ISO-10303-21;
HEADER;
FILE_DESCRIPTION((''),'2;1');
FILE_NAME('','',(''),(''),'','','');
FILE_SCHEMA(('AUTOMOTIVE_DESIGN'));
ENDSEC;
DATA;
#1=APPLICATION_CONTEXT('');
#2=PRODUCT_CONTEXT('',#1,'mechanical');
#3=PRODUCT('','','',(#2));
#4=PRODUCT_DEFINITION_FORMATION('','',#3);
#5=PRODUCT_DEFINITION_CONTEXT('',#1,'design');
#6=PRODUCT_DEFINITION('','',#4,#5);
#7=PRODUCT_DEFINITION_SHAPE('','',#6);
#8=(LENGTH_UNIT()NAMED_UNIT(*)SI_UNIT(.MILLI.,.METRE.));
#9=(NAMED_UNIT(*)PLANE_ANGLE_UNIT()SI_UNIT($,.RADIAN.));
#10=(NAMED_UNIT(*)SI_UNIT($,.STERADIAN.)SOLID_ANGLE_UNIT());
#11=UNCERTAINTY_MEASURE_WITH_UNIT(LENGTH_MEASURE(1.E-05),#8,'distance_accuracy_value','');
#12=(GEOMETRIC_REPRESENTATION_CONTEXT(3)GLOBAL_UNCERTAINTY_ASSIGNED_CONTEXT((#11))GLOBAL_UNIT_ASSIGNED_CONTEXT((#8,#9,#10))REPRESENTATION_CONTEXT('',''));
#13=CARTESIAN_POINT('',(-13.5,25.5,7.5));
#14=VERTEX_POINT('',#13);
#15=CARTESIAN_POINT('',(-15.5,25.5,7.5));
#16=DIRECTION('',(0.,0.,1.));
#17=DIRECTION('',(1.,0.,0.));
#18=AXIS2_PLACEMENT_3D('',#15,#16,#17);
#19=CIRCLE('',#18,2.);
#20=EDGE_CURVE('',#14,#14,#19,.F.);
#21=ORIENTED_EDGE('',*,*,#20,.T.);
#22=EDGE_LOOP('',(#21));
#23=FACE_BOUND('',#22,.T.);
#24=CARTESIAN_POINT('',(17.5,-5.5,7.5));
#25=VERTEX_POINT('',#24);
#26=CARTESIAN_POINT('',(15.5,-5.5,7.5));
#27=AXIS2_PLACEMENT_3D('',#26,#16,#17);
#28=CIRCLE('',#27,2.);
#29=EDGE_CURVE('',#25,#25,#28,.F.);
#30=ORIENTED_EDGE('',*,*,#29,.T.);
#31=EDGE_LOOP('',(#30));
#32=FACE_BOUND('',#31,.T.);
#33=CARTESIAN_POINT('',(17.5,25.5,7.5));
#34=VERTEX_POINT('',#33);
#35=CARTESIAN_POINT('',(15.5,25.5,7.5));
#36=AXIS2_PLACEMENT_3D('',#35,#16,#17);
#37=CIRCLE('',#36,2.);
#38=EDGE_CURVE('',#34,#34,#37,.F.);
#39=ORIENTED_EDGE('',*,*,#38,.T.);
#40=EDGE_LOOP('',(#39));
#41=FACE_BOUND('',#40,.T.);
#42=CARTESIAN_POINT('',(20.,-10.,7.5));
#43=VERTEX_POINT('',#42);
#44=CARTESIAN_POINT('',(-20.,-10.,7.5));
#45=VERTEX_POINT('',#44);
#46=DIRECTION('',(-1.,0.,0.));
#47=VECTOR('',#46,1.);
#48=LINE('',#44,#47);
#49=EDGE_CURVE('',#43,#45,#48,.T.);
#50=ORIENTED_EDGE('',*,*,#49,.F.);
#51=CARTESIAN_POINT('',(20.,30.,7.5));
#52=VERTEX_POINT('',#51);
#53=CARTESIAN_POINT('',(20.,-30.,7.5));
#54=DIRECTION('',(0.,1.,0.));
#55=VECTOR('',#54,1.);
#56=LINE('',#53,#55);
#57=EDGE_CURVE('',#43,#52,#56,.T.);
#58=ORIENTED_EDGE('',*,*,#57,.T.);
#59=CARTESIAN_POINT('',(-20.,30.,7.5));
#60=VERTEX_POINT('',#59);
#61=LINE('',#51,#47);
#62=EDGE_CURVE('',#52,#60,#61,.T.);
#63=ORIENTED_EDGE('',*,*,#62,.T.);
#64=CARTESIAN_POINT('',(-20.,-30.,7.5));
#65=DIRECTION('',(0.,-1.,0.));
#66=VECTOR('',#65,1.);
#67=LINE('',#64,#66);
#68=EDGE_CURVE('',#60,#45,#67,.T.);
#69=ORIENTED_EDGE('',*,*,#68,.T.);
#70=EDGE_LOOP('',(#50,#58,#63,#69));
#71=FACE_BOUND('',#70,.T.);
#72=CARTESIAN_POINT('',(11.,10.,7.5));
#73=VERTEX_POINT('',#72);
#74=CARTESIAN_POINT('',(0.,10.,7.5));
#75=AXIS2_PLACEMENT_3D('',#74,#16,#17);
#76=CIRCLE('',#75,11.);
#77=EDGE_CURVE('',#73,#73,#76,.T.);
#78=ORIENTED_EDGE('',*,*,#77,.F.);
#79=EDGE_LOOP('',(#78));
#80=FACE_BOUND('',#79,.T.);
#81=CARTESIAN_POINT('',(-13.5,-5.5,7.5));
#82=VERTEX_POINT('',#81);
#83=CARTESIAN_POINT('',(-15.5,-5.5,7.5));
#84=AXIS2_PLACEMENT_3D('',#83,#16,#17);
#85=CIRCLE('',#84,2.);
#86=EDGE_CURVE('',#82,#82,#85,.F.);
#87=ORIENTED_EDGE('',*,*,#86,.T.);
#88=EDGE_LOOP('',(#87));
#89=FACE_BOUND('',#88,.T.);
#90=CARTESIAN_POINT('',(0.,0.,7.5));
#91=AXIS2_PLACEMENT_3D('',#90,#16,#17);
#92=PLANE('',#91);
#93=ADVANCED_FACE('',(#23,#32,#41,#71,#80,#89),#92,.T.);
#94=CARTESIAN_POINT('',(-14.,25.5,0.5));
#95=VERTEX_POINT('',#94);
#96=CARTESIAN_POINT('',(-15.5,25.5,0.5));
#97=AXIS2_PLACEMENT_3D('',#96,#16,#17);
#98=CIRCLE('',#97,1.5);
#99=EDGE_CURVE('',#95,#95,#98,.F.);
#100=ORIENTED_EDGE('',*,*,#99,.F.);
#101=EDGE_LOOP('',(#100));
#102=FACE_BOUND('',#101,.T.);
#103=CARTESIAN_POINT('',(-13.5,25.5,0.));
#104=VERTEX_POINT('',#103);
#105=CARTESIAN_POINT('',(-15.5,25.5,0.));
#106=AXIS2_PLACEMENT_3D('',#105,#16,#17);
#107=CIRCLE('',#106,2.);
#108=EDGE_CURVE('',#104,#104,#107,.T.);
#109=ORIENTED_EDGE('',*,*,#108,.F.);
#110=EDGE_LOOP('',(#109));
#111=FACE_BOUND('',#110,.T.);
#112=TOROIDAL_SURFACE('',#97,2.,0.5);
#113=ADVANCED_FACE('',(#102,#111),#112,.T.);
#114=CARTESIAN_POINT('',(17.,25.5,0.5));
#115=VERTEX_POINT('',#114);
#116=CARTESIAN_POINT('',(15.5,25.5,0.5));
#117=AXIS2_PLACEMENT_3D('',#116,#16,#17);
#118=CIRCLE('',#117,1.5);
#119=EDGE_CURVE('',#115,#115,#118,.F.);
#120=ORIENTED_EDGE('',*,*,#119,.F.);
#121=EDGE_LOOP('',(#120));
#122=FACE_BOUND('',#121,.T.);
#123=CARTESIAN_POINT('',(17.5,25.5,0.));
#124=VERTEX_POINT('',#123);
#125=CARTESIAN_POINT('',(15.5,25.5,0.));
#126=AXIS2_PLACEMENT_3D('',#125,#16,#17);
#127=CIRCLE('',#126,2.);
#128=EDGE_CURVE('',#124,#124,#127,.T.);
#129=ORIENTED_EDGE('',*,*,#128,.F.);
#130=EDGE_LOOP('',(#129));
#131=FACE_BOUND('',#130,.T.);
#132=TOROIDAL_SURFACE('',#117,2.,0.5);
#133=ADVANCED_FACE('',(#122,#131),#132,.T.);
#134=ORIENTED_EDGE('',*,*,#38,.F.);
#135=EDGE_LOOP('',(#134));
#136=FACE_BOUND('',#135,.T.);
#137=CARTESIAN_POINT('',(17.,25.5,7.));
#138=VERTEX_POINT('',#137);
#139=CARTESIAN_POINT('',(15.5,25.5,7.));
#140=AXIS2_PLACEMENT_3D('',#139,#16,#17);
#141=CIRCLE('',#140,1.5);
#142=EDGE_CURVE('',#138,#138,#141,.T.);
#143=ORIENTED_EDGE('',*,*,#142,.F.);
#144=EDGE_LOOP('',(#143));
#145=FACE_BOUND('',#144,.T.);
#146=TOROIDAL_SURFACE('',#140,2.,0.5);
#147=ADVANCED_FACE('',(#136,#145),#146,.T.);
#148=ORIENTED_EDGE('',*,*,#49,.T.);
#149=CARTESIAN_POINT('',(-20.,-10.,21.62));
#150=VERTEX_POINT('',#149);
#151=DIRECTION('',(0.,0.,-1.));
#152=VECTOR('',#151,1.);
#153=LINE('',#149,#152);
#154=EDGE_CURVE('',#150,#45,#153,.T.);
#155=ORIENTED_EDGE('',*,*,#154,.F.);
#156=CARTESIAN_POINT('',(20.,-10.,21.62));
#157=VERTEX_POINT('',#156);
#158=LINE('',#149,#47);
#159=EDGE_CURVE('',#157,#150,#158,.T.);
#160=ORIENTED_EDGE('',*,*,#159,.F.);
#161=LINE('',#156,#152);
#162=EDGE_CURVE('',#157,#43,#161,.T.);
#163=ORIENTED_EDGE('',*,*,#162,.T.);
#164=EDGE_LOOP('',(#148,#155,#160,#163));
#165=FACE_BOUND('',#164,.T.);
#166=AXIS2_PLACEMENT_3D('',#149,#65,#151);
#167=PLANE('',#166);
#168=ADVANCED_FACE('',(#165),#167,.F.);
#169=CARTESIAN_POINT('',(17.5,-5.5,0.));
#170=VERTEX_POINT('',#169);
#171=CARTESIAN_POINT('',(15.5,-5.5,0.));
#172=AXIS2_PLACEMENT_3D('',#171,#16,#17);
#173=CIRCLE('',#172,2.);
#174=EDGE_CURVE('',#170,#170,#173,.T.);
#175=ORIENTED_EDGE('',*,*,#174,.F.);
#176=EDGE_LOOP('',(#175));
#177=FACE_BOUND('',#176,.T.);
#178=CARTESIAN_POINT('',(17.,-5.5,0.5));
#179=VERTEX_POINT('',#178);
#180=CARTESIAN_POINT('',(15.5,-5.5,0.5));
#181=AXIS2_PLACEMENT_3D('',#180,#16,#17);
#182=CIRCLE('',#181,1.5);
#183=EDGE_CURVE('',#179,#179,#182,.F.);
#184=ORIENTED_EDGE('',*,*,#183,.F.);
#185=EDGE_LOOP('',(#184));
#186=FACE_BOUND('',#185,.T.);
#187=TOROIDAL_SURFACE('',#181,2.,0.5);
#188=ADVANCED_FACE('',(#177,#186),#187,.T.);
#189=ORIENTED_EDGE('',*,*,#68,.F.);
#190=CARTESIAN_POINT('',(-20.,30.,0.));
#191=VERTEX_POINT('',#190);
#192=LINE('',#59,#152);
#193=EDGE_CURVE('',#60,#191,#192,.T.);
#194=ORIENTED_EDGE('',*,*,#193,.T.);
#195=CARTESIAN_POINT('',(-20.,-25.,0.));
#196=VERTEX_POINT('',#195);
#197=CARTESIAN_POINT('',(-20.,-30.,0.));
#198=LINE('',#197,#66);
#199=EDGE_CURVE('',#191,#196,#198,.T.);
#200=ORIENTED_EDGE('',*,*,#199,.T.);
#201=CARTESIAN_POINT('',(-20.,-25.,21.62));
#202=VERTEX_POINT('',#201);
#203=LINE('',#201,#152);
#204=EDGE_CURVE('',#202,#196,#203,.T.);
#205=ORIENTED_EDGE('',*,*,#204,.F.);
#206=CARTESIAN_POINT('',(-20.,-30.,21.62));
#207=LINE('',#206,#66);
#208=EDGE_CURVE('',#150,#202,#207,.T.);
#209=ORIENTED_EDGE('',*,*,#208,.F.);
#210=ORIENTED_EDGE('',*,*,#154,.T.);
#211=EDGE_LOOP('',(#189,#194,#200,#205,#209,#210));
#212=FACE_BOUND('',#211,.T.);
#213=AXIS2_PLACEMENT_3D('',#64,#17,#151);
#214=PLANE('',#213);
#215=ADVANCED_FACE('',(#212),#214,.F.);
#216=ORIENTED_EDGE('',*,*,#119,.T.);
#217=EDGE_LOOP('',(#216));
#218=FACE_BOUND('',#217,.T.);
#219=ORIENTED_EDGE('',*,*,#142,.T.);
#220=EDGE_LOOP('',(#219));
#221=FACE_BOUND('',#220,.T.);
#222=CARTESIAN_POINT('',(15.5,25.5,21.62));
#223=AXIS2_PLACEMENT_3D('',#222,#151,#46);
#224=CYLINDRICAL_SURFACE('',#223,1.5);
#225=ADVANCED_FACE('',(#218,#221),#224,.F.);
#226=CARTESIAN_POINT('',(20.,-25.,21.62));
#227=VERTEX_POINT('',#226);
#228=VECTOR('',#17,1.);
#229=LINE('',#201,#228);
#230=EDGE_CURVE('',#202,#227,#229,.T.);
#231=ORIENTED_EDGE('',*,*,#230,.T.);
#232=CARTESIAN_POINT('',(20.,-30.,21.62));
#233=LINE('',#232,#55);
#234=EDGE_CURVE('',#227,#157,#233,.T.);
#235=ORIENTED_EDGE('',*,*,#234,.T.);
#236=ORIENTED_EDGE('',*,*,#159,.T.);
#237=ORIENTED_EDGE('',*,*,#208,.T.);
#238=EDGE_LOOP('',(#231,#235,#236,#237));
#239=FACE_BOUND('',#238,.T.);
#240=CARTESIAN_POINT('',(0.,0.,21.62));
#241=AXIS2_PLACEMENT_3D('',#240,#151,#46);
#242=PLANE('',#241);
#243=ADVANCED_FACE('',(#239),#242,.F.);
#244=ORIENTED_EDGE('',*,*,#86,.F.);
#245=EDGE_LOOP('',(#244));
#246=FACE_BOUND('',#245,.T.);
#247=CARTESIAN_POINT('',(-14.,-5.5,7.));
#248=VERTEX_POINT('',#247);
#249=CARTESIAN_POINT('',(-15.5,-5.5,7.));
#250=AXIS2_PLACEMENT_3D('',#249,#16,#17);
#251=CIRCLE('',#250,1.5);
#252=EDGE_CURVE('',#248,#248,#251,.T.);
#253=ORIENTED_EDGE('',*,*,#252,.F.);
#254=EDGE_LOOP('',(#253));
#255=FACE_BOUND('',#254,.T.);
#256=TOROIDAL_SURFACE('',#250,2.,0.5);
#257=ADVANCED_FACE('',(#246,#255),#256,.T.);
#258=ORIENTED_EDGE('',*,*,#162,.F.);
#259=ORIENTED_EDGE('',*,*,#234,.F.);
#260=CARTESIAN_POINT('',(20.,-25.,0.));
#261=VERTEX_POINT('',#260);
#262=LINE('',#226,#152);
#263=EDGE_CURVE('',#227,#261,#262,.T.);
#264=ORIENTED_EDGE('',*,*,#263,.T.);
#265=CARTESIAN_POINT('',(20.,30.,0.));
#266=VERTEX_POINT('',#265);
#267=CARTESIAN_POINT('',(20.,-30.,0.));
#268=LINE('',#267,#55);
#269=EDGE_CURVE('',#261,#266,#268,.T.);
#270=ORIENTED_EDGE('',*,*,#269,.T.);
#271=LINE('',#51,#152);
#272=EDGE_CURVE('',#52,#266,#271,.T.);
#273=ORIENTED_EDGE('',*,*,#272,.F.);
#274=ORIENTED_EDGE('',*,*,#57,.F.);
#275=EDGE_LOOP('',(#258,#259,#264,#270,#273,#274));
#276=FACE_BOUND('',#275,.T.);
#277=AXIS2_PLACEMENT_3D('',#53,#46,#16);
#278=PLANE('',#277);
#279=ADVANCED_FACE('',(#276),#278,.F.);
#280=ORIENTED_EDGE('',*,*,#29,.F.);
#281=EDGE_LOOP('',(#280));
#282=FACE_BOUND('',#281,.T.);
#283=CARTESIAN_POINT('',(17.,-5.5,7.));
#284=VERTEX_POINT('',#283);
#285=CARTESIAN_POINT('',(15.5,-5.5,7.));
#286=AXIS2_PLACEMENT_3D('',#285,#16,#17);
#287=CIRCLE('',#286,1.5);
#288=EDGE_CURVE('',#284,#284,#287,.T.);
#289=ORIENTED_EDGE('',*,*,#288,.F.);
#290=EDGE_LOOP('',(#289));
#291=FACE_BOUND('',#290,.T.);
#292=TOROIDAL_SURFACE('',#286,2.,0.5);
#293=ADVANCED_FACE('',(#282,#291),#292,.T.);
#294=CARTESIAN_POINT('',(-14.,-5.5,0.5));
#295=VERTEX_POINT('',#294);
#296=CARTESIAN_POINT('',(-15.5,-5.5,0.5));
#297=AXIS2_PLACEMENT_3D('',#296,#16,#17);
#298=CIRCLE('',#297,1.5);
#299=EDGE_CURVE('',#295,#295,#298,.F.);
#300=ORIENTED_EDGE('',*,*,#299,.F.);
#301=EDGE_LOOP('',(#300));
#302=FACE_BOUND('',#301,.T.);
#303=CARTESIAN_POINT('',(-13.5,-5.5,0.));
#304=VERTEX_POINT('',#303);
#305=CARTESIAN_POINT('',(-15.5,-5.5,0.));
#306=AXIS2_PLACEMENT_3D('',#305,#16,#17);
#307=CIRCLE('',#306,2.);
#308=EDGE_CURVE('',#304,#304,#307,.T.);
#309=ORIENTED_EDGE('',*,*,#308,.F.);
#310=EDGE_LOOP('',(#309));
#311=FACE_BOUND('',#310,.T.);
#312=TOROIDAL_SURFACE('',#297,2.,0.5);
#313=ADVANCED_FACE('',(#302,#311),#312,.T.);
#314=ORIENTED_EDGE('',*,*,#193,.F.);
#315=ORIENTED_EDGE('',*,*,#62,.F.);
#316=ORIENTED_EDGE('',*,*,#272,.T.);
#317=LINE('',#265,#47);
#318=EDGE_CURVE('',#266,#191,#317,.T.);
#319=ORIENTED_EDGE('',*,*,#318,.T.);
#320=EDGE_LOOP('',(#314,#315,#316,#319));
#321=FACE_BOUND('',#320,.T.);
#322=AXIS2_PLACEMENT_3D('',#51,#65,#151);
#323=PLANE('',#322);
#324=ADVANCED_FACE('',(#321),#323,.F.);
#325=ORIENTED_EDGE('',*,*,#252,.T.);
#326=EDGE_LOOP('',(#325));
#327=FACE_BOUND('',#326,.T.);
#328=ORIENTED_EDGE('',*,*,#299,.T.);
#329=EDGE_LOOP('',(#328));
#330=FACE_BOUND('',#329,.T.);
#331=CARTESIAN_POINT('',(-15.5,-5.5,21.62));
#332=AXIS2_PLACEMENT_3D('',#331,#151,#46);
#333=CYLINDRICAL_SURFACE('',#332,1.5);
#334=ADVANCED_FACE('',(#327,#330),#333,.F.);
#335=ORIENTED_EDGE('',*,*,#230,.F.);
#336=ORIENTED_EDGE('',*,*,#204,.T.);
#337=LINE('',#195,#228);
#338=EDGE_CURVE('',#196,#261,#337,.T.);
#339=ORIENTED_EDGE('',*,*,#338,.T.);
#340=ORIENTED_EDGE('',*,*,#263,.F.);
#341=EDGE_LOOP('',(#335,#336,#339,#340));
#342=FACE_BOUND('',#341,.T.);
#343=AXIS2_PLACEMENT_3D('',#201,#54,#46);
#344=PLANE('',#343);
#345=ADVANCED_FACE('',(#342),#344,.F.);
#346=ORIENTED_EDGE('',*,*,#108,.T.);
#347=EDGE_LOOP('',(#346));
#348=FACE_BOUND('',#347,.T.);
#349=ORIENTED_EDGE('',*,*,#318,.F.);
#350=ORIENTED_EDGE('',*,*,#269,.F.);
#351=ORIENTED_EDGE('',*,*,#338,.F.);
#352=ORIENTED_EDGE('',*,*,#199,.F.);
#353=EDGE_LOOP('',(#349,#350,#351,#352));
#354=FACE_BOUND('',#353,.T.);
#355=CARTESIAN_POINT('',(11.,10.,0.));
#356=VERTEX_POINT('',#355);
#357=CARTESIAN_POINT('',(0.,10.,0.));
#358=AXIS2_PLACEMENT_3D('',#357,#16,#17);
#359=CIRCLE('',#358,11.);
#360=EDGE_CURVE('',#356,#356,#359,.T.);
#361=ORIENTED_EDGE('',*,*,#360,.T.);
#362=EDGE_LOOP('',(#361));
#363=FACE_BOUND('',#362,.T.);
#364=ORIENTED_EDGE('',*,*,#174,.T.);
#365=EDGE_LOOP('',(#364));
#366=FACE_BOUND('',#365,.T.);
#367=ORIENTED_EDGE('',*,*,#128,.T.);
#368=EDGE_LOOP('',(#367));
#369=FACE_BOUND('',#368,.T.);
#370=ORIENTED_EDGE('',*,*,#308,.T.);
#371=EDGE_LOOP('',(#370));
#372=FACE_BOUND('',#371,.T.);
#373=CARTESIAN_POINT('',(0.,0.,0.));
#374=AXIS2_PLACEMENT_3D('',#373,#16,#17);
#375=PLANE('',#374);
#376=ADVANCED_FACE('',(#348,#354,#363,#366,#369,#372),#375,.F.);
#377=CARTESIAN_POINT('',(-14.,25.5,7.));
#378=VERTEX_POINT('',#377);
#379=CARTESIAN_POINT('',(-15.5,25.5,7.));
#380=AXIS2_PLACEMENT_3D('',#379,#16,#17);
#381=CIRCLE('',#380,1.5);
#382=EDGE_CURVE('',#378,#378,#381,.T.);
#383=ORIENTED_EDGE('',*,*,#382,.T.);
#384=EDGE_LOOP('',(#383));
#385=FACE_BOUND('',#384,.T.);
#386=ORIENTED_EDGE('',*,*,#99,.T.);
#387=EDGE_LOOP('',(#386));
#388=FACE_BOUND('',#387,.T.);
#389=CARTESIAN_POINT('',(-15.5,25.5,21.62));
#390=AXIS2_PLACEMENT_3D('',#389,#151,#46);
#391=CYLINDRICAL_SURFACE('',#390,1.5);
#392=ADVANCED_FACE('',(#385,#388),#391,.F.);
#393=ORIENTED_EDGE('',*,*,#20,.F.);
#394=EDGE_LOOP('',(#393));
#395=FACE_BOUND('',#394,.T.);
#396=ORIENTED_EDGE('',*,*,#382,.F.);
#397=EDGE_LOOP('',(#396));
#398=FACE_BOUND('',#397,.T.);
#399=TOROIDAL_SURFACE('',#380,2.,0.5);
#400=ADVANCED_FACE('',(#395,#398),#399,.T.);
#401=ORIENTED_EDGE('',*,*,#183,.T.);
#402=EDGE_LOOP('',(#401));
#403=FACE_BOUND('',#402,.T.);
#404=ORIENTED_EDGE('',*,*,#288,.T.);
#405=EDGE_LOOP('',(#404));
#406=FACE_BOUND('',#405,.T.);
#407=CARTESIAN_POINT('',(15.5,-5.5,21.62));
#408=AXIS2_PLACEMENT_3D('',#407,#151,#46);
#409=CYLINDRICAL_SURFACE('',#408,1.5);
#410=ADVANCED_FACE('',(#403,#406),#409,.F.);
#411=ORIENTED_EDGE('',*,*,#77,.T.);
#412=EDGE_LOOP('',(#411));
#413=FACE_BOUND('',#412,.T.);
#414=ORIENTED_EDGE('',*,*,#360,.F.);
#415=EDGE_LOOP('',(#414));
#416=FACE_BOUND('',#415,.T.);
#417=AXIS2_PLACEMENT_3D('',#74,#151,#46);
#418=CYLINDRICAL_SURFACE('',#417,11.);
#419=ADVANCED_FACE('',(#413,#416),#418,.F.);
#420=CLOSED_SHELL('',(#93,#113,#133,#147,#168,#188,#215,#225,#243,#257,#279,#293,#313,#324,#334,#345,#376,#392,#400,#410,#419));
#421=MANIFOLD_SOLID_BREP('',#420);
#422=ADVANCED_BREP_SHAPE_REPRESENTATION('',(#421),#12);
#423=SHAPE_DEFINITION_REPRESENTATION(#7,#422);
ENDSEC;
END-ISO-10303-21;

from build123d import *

# Parameters (mm, degrees)
SKETCH1_W           = 40
SKETCH1_H           = 60
SKETCH1_R           = 11
BOSS_EXTRUDE1_DEPTH = 7.5
SKETCH2_W           = 40
SKETCH2_H           = 20
BOSS_EXTRUDE2_DEPTH = 14.12
SKETCH4_R           = 1.5
CUT_EXTRUDE1_DEPTH  = 43.040746901
FILLET2_R           = 0.5
SKETCH5_W           = 40
SKETCH5_H           = 5
CUT_EXTRUDE2_DEPTH  = 43.040746901


with BuildPart() as part:
    # Sketch1 → Boss-Extrude1 (new body)
    with BuildSketch(Plane.XY):
        Rectangle(SKETCH1_W, SKETCH1_H)
        with Locations((0, 10)):
            Circle(SKETCH1_R, mode=Mode.SUBTRACT)
    extrude(amount=BOSS_EXTRUDE1_DEPTH)

    # Sketch2 → Boss-Extrude2 (add)
    with BuildSketch(Plane.XY.offset(7.5)):
        with Locations((0, -20)):
            Rectangle(SKETCH2_W, SKETCH2_H)
    extrude(amount=BOSS_EXTRUDE2_DEPTH)

    # Sketch4 → Cut-Extrude1 (cut, through all)
    with BuildSketch(Plane(origin=(0, 0, 0), x_dir=(-1, 0, 0), z_dir=(0, 0, -1))):
        with Locations((-15.5, 25.5)):
            Circle(SKETCH4_R)
        with Locations((15.5, 25.5)):
            Circle(SKETCH4_R)
        with Locations((15.5, -5.5)):
            Circle(SKETCH4_R)
        with Locations((-15.5, -5.5)):
            Circle(SKETCH4_R)
    extrude(amount=-CUT_EXTRUDE1_DEPTH, mode=Mode.SUBTRACT)

    # Fillet2
    fillet2_edges = [part.edges().sort_by_distance(p)[0] for p in [
        (17, -5.5, 7.5),
        (17, -5.5, 0),
        (-14, -5.5, 7.5),
        (-14, -5.5, 0),
        (-14, 25.5, 7.5),
        (-14, 25.5, 0),
        (17, 25.5, 7.5),
        (17, 25.5, 0),
    ]]
    fillet(fillet2_edges, radius=FILLET2_R)

    # Sketch5 → Cut-Extrude2 (cut, through all)
    with BuildSketch(Plane(origin=(0, 0, 0), x_dir=(-1, 0, 0), z_dir=(0, 0, -1))):
        with Locations((0, -27.5)):
            Rectangle(SKETCH5_W, SKETCH5_H)
    extrude(amount=-CUT_EXTRUDE2_DEPTH, mode=Mode.SUBTRACT)


solid = part.part
